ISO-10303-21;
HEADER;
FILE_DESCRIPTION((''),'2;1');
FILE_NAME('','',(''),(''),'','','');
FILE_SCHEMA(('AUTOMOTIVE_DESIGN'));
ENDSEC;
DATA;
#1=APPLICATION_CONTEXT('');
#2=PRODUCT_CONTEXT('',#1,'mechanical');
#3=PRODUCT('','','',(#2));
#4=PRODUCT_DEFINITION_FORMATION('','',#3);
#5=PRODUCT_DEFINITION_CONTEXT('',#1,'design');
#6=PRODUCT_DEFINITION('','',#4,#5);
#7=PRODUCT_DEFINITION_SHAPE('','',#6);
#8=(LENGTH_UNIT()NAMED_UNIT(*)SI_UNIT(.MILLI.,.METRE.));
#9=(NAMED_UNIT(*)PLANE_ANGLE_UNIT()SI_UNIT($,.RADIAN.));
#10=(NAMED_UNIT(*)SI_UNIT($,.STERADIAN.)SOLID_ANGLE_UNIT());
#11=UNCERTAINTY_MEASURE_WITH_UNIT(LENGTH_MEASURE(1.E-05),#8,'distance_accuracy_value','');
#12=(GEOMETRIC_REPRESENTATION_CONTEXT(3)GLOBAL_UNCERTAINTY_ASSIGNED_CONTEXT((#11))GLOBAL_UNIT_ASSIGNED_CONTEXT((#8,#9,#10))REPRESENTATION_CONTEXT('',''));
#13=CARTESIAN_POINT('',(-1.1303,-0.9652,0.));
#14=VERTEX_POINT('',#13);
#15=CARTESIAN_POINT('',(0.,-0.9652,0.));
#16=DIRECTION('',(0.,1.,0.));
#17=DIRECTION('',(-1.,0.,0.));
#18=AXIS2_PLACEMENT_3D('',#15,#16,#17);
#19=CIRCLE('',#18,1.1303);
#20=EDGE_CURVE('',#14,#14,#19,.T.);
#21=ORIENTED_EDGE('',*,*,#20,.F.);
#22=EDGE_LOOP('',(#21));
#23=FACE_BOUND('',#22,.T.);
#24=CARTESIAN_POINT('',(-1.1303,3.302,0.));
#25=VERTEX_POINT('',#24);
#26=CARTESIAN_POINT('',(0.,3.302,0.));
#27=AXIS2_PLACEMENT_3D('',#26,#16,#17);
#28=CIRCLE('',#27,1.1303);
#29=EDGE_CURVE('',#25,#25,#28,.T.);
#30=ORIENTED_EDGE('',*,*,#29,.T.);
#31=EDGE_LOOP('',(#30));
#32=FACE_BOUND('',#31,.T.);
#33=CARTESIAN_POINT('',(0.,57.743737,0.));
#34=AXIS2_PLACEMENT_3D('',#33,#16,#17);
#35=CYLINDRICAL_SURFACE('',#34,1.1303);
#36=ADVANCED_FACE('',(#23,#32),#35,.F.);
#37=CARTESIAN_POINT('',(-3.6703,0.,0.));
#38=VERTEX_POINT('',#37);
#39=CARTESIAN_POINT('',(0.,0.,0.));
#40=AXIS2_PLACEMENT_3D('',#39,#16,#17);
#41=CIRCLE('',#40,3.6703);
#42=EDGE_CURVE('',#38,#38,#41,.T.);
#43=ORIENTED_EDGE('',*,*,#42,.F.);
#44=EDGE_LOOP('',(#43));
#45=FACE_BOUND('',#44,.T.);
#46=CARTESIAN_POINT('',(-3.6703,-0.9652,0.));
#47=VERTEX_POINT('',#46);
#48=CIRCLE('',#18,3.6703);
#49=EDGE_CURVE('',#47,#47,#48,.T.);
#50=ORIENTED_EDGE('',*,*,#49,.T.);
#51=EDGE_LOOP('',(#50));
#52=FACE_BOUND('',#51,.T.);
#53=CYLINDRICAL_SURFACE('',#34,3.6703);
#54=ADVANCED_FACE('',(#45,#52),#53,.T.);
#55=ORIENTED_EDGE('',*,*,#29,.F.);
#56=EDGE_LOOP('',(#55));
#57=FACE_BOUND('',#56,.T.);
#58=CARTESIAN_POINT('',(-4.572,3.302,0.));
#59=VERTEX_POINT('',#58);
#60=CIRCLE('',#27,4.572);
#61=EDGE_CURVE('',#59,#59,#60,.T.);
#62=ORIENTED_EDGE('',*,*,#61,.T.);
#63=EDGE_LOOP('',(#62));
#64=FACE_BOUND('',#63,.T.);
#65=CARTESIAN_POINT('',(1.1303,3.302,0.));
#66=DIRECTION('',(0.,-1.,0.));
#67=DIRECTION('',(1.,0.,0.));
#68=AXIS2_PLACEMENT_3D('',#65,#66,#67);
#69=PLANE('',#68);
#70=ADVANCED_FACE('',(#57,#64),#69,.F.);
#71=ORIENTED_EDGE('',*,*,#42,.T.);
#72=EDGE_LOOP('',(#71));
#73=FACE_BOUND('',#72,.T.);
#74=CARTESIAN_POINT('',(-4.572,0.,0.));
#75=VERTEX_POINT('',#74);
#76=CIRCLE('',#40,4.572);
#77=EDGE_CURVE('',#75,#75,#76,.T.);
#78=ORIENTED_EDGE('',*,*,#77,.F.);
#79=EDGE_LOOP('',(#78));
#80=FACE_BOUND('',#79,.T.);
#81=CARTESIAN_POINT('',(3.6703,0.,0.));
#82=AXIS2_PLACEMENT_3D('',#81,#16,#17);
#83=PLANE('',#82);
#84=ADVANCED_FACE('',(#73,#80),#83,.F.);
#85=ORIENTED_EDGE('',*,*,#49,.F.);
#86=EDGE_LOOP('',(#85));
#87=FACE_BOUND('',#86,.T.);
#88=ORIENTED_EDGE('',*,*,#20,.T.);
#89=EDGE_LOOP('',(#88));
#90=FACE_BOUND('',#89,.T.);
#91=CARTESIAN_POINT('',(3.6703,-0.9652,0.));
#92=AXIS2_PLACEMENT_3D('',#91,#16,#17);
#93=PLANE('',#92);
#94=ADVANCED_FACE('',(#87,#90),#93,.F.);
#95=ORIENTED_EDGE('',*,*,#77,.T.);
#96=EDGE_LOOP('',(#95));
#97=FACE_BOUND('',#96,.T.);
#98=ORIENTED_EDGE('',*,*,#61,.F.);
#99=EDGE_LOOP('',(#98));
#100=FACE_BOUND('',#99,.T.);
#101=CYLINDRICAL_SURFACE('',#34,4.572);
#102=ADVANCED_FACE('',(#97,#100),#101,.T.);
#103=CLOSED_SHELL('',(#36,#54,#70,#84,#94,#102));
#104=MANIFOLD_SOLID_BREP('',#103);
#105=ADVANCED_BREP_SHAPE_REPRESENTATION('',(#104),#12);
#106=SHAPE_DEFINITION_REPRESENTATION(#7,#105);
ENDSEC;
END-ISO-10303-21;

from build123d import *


with BuildPart() as part:
    # Sketch1 → Revolve1 (revolve)
    with BuildSketch(Plane.XY, mode=Mode.PRIVATE) as revolve1_sk:
        Polygon((3.6703, 0), (4.572, 0), (4.572, 3.302), (1.1303, 3.302), (1.1303, -0.9652), (3.6703, -0.9652), align=None)
    revolve(revolve1_sk.sketch.rotate(Axis((0, 57.743737076, 0), (0, -1, 0)), 180), axis=Axis((0, 57.743737076, 0), (0, -1, 0)))  # turned: the seam where the file's is


solid = part.part
